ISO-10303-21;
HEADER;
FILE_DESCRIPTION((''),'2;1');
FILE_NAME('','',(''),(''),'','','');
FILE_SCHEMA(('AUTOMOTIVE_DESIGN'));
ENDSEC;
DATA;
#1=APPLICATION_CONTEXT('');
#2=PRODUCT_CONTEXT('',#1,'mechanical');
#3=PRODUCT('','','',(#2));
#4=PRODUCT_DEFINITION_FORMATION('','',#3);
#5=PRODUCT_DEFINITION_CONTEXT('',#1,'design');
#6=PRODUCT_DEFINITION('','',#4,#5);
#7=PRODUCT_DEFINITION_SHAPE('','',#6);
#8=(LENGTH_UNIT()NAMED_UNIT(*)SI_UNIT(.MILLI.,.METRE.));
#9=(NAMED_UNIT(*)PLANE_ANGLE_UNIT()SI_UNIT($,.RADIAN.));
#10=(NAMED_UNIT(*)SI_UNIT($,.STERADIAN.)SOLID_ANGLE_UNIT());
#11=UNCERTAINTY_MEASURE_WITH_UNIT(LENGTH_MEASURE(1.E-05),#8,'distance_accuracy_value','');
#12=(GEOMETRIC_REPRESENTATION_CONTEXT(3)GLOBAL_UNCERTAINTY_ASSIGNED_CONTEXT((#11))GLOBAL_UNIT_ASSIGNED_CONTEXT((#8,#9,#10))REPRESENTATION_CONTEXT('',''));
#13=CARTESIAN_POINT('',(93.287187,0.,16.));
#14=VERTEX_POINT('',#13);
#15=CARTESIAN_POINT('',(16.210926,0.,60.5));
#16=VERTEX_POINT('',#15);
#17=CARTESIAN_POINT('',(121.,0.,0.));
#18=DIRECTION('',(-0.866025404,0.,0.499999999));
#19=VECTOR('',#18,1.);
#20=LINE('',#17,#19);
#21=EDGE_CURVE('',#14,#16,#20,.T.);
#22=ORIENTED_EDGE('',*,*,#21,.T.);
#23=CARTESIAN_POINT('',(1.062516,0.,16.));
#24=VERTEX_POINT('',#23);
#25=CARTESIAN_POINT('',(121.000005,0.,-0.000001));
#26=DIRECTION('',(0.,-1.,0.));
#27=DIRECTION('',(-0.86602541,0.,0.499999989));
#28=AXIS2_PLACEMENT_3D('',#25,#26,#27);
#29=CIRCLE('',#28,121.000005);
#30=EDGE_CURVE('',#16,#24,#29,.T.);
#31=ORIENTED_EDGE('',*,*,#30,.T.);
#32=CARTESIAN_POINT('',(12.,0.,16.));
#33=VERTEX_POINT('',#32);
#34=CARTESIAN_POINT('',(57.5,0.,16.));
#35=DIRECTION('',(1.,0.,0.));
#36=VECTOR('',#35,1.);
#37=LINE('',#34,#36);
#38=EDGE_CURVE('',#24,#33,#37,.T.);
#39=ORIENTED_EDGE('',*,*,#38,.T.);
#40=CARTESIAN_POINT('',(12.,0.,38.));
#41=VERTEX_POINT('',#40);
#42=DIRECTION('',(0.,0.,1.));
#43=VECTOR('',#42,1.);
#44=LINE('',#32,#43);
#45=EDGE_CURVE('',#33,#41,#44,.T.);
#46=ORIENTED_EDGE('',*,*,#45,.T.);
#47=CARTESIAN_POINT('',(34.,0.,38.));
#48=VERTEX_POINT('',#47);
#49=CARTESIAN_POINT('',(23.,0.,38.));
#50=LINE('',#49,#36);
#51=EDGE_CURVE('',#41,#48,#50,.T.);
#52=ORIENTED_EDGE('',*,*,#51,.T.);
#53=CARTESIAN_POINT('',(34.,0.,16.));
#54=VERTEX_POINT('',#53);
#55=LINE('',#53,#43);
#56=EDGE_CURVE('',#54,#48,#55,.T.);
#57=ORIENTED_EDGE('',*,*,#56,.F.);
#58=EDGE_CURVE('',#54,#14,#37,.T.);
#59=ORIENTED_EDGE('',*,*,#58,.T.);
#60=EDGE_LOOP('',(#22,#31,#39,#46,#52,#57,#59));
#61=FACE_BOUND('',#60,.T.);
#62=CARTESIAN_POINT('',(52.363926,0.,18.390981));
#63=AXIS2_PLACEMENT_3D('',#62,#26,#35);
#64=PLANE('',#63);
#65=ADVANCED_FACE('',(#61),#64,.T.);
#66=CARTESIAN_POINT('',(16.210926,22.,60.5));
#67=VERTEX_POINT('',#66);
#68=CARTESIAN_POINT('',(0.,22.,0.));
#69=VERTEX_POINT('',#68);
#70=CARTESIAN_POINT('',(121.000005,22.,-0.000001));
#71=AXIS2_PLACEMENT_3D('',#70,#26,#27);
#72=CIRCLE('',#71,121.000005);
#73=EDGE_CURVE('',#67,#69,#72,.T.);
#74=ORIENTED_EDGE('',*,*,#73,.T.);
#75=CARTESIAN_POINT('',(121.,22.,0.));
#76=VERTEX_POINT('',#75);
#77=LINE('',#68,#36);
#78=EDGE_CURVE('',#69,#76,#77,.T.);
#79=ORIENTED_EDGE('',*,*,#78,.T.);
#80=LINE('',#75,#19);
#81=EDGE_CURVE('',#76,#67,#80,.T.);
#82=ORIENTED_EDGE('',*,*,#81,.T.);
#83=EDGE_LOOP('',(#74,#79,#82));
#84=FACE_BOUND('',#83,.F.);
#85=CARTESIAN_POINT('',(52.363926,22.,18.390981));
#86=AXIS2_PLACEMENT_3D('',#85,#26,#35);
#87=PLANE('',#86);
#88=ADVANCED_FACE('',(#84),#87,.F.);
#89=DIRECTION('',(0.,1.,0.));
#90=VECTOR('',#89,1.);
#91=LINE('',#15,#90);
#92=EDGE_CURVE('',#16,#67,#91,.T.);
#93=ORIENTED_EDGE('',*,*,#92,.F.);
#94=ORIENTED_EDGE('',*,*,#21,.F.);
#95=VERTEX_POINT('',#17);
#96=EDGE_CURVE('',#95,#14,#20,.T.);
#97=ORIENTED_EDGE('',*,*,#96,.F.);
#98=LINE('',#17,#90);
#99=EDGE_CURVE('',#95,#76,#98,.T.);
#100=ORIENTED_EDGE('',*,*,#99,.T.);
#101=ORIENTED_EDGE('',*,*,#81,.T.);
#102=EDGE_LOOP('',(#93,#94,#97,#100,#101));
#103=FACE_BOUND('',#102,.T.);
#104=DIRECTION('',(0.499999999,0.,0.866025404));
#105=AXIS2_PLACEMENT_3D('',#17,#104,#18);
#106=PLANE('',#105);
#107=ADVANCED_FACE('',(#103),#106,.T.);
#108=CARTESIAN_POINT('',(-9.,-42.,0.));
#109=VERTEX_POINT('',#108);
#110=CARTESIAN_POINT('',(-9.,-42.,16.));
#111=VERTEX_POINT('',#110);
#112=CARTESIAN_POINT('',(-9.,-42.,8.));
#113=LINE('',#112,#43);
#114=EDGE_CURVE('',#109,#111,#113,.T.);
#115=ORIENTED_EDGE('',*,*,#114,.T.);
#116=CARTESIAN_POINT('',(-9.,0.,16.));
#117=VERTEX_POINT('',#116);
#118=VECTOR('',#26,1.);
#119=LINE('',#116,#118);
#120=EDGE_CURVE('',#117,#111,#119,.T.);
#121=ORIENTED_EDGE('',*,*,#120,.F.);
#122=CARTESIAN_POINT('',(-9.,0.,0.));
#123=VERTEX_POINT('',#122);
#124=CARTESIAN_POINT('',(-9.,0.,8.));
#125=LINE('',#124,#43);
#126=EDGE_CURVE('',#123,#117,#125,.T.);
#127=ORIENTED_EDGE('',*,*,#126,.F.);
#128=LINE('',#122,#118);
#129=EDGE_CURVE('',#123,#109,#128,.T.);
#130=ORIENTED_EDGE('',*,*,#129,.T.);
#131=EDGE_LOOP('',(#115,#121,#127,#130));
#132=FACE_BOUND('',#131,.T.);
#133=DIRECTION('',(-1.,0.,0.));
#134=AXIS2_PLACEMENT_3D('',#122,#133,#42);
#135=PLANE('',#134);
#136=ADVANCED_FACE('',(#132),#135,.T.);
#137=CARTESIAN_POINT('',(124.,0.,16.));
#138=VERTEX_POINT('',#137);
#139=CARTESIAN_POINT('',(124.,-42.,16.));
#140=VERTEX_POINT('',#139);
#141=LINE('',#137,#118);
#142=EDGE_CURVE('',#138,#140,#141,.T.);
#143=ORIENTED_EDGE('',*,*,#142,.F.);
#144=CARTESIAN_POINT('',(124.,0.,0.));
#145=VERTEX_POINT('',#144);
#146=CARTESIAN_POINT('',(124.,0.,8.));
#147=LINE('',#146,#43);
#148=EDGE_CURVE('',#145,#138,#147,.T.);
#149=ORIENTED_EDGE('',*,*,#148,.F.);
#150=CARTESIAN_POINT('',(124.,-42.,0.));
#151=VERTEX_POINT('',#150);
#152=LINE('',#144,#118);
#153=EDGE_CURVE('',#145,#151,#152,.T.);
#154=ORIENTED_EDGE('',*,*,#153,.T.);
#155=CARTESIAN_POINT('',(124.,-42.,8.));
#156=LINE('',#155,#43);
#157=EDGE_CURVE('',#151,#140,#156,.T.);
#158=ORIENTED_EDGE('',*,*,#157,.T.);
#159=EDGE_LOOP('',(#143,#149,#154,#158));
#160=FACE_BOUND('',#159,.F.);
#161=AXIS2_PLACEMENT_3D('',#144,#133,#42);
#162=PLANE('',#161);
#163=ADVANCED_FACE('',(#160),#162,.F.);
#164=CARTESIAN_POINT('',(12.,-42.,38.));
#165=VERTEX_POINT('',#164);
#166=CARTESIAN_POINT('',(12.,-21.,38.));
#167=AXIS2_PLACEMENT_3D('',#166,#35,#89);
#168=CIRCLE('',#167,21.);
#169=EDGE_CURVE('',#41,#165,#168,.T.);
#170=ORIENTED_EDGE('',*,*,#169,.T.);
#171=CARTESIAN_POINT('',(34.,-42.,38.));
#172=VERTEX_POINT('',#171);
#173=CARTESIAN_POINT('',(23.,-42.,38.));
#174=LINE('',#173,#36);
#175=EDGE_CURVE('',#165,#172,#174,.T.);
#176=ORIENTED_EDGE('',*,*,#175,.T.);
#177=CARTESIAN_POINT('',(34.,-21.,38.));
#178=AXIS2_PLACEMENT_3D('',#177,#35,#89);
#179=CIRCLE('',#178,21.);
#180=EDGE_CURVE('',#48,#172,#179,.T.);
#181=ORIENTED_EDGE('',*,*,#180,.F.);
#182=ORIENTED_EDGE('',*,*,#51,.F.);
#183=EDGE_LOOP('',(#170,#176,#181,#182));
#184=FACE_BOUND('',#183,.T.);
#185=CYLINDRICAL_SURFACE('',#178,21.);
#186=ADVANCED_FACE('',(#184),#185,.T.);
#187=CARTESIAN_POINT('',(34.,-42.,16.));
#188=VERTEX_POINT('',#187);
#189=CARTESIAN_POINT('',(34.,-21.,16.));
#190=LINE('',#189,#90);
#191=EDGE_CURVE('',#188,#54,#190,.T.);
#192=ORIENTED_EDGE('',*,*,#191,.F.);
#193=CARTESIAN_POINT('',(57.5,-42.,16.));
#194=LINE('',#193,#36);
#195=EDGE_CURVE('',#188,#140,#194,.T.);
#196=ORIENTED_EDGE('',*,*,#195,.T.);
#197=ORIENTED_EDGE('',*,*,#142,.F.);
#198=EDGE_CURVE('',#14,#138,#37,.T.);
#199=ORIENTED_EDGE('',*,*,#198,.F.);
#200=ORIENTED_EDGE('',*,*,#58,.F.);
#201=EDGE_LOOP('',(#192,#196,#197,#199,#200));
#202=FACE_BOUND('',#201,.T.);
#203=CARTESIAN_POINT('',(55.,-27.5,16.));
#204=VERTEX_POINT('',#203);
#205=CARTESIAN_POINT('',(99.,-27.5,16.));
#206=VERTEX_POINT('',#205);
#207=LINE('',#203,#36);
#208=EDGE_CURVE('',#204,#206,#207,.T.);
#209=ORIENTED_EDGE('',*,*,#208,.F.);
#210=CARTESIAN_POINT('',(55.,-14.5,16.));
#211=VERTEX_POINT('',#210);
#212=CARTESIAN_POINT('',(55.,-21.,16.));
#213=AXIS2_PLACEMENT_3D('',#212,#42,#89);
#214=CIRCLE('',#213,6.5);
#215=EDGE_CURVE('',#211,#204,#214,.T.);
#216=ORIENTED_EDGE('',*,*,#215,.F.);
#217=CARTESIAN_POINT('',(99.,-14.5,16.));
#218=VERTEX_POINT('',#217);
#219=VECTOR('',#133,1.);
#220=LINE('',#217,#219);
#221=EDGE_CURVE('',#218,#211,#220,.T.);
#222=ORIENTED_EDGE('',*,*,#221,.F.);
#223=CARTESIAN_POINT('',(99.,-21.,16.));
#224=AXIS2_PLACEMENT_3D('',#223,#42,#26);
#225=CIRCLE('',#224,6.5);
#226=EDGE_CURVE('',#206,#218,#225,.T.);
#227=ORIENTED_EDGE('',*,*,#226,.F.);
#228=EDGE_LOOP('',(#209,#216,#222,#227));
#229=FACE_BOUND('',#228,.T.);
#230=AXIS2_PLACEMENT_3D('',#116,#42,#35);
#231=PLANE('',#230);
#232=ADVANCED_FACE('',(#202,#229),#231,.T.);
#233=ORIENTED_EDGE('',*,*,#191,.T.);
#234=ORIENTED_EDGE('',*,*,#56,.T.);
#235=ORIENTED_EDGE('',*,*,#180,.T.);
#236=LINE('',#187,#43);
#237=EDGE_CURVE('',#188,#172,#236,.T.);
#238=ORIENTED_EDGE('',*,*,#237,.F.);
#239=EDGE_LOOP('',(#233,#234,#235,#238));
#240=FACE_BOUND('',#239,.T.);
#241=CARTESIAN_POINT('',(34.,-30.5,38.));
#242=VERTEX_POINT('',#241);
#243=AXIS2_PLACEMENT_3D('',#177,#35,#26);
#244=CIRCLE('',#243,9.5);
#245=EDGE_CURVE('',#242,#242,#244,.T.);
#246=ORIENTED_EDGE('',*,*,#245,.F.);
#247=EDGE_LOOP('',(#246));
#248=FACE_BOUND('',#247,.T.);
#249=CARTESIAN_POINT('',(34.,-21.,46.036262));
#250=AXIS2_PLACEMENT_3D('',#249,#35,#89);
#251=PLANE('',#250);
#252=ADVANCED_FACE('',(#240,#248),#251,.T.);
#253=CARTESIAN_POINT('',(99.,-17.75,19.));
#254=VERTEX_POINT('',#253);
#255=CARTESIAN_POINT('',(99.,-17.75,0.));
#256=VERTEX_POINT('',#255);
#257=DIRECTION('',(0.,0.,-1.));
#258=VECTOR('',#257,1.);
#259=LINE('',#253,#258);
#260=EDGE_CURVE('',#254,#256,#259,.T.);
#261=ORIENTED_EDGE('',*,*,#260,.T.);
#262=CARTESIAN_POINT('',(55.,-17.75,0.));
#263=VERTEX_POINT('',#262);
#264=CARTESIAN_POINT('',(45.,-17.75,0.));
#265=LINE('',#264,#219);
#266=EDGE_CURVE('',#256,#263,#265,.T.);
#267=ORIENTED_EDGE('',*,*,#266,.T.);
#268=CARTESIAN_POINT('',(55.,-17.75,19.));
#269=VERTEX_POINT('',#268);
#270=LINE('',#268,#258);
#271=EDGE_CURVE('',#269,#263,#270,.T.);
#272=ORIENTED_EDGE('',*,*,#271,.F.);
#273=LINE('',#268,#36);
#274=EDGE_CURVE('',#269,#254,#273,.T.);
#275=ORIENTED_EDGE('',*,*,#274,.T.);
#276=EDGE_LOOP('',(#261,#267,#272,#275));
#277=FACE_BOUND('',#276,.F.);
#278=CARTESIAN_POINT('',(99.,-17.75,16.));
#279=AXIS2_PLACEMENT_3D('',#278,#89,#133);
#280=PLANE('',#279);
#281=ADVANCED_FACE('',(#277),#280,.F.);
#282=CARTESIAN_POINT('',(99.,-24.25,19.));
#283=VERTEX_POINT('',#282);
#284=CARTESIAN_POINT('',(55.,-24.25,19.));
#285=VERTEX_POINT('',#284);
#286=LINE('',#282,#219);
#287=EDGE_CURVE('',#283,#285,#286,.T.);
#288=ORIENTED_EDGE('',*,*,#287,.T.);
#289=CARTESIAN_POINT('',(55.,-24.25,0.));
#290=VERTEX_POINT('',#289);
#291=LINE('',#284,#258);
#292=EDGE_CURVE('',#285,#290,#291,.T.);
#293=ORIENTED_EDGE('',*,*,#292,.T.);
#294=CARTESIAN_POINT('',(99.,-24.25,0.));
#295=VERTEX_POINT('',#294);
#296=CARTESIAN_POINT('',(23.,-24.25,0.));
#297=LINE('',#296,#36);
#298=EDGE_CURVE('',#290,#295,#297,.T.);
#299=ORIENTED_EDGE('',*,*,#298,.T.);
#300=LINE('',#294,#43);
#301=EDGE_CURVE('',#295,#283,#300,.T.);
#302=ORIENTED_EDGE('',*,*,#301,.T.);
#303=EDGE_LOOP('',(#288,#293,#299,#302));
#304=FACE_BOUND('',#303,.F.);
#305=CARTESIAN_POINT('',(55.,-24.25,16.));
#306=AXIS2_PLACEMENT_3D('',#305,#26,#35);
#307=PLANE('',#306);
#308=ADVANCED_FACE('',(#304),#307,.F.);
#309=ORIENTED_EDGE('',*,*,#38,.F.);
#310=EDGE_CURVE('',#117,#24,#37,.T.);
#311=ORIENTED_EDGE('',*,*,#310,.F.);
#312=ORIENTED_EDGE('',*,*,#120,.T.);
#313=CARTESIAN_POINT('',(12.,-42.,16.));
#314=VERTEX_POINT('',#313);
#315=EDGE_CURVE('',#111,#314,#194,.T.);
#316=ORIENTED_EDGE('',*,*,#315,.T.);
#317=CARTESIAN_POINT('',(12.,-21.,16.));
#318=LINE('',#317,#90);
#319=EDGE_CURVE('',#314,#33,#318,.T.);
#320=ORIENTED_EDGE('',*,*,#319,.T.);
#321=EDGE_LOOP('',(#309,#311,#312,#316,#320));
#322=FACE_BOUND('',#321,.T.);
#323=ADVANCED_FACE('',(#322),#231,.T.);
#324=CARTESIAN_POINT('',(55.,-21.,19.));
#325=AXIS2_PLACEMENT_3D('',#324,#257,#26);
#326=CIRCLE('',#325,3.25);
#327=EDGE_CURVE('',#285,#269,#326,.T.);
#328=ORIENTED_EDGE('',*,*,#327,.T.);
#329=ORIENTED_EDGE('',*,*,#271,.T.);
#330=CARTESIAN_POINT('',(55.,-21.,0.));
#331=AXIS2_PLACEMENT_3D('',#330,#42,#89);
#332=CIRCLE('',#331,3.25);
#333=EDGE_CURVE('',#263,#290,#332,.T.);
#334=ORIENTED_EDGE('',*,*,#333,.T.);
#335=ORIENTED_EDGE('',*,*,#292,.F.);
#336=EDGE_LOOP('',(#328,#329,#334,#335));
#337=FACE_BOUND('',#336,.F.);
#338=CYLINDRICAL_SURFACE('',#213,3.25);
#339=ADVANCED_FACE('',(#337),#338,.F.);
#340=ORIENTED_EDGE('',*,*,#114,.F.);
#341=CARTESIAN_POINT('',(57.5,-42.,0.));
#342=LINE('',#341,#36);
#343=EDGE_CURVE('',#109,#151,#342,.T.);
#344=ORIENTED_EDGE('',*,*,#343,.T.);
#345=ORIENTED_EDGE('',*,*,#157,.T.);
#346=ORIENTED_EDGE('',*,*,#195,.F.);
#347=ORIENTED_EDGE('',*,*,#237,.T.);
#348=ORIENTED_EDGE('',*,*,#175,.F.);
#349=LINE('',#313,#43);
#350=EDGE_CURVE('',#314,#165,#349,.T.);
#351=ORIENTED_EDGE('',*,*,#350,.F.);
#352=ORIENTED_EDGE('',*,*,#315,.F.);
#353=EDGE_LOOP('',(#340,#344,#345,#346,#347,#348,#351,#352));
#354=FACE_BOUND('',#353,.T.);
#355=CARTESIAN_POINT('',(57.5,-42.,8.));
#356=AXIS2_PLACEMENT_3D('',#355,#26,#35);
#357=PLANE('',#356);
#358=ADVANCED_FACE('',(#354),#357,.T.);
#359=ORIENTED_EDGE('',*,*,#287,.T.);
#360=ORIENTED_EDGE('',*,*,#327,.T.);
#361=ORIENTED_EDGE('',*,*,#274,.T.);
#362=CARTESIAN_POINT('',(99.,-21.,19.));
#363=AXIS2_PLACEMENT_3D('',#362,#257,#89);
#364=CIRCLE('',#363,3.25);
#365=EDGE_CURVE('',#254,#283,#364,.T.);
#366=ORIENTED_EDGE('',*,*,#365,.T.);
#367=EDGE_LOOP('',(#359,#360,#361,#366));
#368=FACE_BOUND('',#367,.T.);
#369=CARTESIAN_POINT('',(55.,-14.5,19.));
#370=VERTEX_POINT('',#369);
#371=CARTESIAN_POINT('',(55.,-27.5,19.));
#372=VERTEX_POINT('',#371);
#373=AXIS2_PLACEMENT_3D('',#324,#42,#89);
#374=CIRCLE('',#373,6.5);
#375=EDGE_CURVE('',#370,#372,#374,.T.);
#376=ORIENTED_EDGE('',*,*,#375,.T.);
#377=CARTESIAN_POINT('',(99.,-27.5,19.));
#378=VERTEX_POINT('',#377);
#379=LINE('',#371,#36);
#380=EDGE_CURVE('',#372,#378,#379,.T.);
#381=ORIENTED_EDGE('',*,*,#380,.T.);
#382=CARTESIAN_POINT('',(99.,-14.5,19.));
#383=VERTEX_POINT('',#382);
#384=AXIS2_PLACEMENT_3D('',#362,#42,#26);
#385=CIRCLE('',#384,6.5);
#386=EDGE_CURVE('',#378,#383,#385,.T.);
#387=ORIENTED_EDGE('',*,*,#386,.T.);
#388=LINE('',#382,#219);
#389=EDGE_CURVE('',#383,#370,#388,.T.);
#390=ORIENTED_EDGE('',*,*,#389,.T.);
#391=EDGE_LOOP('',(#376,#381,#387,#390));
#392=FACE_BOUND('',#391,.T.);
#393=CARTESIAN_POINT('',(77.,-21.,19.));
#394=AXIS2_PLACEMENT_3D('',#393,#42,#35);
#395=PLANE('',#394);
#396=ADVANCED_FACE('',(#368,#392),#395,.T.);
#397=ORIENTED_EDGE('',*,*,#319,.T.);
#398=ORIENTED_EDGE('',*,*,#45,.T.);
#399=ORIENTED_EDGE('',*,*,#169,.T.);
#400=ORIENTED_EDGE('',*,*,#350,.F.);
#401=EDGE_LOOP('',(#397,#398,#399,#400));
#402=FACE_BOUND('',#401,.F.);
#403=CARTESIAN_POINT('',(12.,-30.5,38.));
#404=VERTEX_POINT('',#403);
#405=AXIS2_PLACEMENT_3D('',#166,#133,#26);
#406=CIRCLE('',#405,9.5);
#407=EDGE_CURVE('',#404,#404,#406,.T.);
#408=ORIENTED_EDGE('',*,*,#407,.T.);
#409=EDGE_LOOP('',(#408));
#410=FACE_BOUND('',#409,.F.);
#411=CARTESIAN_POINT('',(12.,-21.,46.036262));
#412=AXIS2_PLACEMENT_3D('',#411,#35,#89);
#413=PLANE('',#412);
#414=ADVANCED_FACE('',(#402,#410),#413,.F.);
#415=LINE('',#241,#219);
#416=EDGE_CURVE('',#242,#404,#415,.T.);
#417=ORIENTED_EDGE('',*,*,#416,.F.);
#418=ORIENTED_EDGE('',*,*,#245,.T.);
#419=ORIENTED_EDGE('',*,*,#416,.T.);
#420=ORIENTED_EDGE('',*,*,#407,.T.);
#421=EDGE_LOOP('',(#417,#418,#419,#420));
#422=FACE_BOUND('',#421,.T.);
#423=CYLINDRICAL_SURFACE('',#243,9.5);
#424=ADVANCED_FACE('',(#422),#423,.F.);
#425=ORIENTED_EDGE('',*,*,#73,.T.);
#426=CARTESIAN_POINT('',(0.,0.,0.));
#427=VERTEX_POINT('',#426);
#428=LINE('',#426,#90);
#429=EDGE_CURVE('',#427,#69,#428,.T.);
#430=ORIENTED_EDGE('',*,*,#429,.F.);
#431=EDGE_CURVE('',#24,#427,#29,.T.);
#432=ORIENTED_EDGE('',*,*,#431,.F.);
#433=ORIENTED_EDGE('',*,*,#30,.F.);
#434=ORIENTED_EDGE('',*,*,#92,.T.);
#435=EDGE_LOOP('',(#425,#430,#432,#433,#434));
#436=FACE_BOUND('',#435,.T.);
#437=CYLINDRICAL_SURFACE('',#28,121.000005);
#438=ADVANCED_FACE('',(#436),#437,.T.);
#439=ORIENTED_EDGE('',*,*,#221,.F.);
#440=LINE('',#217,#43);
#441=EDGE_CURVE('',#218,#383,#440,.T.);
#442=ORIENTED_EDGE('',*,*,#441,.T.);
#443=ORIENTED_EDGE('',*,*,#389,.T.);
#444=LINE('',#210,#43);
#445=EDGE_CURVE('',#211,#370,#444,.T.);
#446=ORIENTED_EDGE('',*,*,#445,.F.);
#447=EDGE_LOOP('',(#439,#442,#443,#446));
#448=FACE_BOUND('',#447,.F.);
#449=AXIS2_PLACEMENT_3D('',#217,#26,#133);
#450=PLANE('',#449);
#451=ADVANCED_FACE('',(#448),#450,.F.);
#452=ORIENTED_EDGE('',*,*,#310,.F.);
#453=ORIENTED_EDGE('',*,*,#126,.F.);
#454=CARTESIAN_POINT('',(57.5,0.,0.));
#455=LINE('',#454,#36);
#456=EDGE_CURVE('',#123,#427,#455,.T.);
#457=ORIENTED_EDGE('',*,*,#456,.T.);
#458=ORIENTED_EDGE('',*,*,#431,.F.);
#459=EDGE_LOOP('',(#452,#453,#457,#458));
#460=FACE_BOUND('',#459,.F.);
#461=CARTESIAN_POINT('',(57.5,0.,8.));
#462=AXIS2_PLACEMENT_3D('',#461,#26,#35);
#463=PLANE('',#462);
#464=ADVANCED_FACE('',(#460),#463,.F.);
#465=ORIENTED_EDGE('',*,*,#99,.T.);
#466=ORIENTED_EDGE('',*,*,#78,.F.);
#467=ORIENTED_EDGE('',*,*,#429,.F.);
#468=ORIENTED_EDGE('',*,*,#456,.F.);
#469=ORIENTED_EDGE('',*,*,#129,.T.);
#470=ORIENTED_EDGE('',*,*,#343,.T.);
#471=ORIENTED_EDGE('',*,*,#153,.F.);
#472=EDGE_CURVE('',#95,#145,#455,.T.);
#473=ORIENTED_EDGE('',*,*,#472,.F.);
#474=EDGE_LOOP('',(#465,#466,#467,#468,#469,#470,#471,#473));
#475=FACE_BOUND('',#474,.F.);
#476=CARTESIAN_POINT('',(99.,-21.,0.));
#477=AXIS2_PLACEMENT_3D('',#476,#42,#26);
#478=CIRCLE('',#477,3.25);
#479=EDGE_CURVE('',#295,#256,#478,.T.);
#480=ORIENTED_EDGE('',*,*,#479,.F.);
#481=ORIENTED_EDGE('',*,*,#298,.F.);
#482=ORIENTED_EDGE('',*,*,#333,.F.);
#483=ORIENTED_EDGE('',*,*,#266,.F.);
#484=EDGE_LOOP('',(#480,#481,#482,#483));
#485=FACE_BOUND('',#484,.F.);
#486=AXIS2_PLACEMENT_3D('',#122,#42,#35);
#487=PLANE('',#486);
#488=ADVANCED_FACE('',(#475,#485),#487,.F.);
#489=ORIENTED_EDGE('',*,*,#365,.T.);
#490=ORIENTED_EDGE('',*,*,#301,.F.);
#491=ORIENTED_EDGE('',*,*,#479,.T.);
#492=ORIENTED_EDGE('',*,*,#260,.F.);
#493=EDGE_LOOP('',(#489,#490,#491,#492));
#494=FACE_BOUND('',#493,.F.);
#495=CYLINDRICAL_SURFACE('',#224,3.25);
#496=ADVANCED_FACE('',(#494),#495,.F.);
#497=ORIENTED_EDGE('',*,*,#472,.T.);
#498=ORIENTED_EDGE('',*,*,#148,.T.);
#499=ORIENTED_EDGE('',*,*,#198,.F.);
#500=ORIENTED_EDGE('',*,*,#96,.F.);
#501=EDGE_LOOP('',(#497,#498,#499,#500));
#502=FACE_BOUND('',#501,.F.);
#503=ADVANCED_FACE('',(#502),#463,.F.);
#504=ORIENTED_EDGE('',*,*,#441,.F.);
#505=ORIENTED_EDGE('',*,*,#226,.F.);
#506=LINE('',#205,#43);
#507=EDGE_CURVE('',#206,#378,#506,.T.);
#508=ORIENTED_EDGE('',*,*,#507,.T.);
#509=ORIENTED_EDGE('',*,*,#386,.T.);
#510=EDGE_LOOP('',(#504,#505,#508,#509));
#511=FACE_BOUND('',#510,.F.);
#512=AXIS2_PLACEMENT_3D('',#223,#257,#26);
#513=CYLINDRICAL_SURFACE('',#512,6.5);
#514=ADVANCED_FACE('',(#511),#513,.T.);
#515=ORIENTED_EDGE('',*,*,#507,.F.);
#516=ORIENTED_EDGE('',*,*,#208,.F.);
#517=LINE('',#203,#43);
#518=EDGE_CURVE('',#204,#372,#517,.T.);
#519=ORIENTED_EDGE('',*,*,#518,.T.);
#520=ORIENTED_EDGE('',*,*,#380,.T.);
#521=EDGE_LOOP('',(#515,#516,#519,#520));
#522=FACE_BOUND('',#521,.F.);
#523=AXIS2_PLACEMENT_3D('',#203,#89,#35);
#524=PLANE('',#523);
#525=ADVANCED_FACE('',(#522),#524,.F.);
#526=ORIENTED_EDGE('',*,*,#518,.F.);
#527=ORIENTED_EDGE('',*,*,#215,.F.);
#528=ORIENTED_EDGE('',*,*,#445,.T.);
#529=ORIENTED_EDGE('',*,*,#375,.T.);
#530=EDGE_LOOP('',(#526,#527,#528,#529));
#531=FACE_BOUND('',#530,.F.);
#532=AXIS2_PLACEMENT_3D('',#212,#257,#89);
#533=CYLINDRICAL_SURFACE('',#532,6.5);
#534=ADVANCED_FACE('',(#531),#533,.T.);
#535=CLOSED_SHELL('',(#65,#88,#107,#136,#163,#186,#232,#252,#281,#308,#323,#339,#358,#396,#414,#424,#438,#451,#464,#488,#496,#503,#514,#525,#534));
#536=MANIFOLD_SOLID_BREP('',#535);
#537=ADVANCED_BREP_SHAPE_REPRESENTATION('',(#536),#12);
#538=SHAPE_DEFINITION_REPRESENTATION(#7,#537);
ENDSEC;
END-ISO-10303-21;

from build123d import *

# Parameters (mm, degrees)
F1_DEPTH  = 22
F2_W      = 133
F2_H      = 16
F3_DEPTH  = 42
F4_W      = 22
F4_H      = 42
F5_DEPTH  = 22
F7_DEPTH  = 22
F8_DEPTH  = 43.001
F10_DEPTH = 3
F11_DEPTH = 16.001


with BuildPart() as f1:
    # F0 (on Front) → F1 (new body)
    with BuildSketch(Plane.XZ):
        with BuildLine():
            ThreePointArc((16.210926, 60.5), (4.122975, 31.317104), (0, 0))
            Line((0, 0), (121, 0))
            Line((121, 0), (16.210926, 60.5))
        make_face()
    extrude(amount=-F1_DEPTH)

    # F2 (on Front) → F3 (join)
    with BuildSketch(Plane.XZ):
        with Locations((57.5, 8)):
            Rectangle(F2_W, F2_H)
    extrude(amount=F3_DEPTH)

    # F4 (on face) → F5 (join)
    with BuildSketch(Plane.XY.offset(16)):
        with Locations((23, -21)):
            Rectangle(F4_W, F4_H)
    extrude(amount=F5_DEPTH)

    # F6 (on face) → F7 (join, through all)
    with BuildSketch(Plane.YZ.offset(34)):
        with BuildLine():
            ThreePointArc((-30.5, 38), (-21, 47.5), (-11.5, 38))
            Line((-11.5, 38), (0, 38))
            ThreePointArc((0, 38), (-21, 59), (-42, 38))
            Line((-42, 38), (-30.5, 38))
        make_face()
    extrude(amount=-F7_DEPTH)

    # F6 (on face) → F8 (cut, through all)
    with BuildSketch(Plane.YZ.offset(34)):
        with BuildLine():
            ThreePointArc((-30.5, 38), (-21, 28.5), (-11.5, 38))
            Line((-11.5, 38), (-30.5, 38))
        make_face()
    extrude(amount=-F8_DEPTH, mode=Mode.SUBTRACT)

    # F9 (on face) → F10 (join)
    with BuildSketch(Plane.XY.offset(16)):
        with BuildLine():
            ThreePointArc((55, -14.5), (48.5, -21), (55, -27.5))
            Line((55, -27.5), (99, -27.5))
            ThreePointArc((99, -27.5), (105.5, -21), (99, -14.5))
            Line((99, -14.5), (55, -14.5))
        make_face()
        with BuildLine():
            Line((99, -24.25), (55, -24.25))
            ThreePointArc((55, -24.25), (51.75, -21), (55, -17.75))
            Line((55, -17.75), (99, -17.75))
            ThreePointArc((99, -17.75), (102.25, -21), (99, -24.25))
        make_face(mode=Mode.SUBTRACT)
    extrude(amount=F10_DEPTH)

    # F10_face (on face) → F11 (cut, through all)
    with BuildSketch(Plane(origin=(77, -21, 16), x_dir=(1, 0, 0), z_dir=(0, 0, 1))):
        with BuildLine():
            ThreePointArc((22, -3.25), (25.25, 0), (22, 3.25))
            Line((22, 3.25), (-22, 3.25))
            ThreePointArc((-22, 3.25), (-25.25, 0), (-22, -3.25))
            Line((-22, -3.25), (22, -3.25))
        make_face()
    extrude(amount=-F11_DEPTH, mode=Mode.SUBTRACT)


solid = f1.part
